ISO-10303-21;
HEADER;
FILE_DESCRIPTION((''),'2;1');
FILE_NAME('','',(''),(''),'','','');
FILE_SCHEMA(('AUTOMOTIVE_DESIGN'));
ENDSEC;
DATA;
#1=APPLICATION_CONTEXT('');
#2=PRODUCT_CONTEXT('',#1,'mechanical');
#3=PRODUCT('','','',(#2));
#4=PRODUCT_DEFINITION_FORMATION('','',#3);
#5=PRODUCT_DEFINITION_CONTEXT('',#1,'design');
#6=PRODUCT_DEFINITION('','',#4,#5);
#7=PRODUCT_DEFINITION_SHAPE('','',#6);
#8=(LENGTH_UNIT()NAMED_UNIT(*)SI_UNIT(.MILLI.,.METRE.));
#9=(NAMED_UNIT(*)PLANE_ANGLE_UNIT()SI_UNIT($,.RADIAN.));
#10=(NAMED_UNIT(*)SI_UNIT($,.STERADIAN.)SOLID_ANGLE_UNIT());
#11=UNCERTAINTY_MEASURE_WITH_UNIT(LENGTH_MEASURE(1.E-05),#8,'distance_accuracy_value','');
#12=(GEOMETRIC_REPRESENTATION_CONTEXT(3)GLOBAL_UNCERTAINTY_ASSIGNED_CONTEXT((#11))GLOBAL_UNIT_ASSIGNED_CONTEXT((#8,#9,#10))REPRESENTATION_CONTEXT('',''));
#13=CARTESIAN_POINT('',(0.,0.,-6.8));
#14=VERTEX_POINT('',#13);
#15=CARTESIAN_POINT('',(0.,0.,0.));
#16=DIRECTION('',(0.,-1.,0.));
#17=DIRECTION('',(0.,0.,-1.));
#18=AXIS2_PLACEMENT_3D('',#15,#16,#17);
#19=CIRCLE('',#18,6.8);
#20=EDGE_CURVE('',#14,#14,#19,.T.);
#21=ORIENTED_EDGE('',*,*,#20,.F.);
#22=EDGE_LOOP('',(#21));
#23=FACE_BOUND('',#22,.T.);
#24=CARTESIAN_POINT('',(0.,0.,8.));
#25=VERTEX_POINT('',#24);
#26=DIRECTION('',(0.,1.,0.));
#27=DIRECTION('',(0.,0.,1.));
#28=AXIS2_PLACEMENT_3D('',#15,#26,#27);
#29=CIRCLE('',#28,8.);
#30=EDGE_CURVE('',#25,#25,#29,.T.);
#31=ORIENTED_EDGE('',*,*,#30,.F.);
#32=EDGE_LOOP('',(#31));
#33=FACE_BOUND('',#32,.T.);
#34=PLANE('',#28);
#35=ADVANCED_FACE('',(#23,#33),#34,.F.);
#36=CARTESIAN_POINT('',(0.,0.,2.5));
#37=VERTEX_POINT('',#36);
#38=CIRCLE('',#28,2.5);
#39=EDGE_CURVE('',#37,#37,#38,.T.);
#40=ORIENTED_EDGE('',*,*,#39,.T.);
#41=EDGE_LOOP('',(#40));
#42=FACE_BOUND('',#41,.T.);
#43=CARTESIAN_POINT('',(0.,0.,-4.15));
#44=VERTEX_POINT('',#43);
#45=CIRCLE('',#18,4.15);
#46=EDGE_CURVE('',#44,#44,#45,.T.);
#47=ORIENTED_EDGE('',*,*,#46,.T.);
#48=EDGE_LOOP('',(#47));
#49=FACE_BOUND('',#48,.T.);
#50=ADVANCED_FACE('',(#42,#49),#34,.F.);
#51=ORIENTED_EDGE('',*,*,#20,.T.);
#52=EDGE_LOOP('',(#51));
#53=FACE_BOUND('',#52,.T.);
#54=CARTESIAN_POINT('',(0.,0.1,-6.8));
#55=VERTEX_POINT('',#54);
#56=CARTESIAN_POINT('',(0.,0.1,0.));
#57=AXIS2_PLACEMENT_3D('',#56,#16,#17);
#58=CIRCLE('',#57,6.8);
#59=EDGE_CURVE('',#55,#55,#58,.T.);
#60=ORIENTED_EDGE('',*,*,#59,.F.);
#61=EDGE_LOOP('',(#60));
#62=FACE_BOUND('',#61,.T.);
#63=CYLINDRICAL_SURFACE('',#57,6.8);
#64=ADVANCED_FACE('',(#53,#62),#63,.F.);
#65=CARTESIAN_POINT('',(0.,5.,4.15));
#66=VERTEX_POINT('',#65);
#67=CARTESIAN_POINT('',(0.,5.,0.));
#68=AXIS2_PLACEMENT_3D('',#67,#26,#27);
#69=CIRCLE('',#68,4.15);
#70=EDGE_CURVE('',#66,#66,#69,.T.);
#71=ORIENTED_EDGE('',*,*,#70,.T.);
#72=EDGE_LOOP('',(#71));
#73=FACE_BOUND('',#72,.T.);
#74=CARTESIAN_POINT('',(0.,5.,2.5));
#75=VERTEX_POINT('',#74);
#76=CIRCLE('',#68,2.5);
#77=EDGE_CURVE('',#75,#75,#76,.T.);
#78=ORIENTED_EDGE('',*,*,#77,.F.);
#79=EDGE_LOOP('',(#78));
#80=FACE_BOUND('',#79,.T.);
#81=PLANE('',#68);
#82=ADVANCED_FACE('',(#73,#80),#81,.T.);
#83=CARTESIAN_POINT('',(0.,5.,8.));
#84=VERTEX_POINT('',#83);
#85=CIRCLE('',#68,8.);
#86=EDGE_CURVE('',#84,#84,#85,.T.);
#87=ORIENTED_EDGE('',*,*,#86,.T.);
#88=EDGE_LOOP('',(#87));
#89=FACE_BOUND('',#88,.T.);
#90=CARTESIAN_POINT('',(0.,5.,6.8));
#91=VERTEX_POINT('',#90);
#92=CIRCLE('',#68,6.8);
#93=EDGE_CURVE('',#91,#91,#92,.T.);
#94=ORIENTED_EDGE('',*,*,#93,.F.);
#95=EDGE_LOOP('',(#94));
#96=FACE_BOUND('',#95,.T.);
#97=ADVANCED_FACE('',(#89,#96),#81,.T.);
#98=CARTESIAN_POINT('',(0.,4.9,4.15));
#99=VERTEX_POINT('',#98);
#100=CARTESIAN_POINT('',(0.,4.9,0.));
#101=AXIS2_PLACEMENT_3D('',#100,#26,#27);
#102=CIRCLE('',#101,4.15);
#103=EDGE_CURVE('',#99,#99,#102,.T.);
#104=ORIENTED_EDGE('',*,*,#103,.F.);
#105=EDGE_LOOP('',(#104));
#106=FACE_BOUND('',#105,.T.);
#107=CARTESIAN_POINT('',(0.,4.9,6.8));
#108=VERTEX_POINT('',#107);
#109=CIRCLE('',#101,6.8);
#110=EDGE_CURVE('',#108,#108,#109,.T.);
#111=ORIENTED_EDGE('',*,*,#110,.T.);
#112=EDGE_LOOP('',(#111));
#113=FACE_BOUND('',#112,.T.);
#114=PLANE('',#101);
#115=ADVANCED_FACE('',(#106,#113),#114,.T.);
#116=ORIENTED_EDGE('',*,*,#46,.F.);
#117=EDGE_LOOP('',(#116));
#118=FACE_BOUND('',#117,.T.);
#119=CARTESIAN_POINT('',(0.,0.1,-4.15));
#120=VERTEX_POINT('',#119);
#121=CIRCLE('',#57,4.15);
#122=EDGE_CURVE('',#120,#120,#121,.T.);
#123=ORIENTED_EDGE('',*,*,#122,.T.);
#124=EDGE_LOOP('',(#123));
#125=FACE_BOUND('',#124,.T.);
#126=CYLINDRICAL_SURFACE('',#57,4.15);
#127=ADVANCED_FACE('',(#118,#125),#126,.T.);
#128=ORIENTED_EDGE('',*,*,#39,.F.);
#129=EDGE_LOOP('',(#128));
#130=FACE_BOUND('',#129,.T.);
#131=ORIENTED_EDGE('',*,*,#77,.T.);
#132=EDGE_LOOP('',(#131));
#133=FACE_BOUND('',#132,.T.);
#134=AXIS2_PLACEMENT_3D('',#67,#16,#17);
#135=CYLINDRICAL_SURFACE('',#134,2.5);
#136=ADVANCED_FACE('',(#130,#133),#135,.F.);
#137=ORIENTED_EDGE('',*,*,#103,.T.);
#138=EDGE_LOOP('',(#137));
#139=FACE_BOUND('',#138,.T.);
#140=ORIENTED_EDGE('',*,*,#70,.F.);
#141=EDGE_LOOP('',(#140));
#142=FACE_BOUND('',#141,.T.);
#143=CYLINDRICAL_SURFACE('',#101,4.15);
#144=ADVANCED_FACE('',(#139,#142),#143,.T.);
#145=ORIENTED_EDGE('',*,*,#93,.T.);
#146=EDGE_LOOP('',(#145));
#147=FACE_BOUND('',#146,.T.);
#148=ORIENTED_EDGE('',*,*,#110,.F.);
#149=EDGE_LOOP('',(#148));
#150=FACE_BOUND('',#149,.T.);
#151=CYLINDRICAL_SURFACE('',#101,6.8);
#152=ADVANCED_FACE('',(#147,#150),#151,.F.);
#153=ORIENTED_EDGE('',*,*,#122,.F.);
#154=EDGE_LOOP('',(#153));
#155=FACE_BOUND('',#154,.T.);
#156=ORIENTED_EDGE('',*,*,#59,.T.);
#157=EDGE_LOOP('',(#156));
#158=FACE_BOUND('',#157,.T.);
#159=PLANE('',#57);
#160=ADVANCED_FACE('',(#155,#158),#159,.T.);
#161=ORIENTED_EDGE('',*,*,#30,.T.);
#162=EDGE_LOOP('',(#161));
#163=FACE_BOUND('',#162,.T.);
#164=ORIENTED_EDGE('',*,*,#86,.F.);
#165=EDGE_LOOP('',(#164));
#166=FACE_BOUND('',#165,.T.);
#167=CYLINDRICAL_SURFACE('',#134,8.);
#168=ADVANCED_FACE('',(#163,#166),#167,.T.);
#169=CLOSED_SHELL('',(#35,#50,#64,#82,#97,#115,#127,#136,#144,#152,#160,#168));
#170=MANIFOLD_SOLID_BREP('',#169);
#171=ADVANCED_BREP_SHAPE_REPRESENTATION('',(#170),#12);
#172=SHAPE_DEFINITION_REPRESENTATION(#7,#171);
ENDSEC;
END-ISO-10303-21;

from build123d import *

# Parameters (mm, degrees)
SKETCH1_R           = 8
SKETCH1_R_2         = 2.5
BOSS_EXTRUDE1_DEPTH = 5
SKETCH2_R           = 6.8
SKETCH2_R_2         = 4.15
CUT_EXTRUDE1_DEPTH  = 0.1
SKETCH3_R           = 6.8
SKETCH3_R_2         = 4.15
CUT_EXTRUDE2_DEPTH  = 0.1


with BuildPart() as part:
    # Sketch1 → Boss-Extrude1 (new body)
    with BuildSketch(Plane(origin=(0, 0, 0), x_dir=(1, 0, 0), z_dir=(0, 1, 0))):
        Circle(SKETCH1_R)
        Circle(SKETCH1_R_2, mode=Mode.SUBTRACT)
    extrude(amount=BOSS_EXTRUDE1_DEPTH)

    # Sketch2 → Cut-Extrude1 (cut)
    with BuildSketch(Plane(origin=(0, 5, 0), x_dir=(1, 0, 0), z_dir=(0, 1, 0))):
        Circle(SKETCH2_R)
        Circle(SKETCH2_R_2, mode=Mode.SUBTRACT)
    extrude(amount=-CUT_EXTRUDE1_DEPTH, mode=Mode.SUBTRACT)

    # Sketch3 → Cut-Extrude2 (cut)
    with BuildSketch(Plane.XZ):
        Circle(SKETCH3_R)
        Circle(SKETCH3_R_2, mode=Mode.SUBTRACT)
    extrude(amount=-CUT_EXTRUDE2_DEPTH, mode=Mode.SUBTRACT)


solid = part.part
